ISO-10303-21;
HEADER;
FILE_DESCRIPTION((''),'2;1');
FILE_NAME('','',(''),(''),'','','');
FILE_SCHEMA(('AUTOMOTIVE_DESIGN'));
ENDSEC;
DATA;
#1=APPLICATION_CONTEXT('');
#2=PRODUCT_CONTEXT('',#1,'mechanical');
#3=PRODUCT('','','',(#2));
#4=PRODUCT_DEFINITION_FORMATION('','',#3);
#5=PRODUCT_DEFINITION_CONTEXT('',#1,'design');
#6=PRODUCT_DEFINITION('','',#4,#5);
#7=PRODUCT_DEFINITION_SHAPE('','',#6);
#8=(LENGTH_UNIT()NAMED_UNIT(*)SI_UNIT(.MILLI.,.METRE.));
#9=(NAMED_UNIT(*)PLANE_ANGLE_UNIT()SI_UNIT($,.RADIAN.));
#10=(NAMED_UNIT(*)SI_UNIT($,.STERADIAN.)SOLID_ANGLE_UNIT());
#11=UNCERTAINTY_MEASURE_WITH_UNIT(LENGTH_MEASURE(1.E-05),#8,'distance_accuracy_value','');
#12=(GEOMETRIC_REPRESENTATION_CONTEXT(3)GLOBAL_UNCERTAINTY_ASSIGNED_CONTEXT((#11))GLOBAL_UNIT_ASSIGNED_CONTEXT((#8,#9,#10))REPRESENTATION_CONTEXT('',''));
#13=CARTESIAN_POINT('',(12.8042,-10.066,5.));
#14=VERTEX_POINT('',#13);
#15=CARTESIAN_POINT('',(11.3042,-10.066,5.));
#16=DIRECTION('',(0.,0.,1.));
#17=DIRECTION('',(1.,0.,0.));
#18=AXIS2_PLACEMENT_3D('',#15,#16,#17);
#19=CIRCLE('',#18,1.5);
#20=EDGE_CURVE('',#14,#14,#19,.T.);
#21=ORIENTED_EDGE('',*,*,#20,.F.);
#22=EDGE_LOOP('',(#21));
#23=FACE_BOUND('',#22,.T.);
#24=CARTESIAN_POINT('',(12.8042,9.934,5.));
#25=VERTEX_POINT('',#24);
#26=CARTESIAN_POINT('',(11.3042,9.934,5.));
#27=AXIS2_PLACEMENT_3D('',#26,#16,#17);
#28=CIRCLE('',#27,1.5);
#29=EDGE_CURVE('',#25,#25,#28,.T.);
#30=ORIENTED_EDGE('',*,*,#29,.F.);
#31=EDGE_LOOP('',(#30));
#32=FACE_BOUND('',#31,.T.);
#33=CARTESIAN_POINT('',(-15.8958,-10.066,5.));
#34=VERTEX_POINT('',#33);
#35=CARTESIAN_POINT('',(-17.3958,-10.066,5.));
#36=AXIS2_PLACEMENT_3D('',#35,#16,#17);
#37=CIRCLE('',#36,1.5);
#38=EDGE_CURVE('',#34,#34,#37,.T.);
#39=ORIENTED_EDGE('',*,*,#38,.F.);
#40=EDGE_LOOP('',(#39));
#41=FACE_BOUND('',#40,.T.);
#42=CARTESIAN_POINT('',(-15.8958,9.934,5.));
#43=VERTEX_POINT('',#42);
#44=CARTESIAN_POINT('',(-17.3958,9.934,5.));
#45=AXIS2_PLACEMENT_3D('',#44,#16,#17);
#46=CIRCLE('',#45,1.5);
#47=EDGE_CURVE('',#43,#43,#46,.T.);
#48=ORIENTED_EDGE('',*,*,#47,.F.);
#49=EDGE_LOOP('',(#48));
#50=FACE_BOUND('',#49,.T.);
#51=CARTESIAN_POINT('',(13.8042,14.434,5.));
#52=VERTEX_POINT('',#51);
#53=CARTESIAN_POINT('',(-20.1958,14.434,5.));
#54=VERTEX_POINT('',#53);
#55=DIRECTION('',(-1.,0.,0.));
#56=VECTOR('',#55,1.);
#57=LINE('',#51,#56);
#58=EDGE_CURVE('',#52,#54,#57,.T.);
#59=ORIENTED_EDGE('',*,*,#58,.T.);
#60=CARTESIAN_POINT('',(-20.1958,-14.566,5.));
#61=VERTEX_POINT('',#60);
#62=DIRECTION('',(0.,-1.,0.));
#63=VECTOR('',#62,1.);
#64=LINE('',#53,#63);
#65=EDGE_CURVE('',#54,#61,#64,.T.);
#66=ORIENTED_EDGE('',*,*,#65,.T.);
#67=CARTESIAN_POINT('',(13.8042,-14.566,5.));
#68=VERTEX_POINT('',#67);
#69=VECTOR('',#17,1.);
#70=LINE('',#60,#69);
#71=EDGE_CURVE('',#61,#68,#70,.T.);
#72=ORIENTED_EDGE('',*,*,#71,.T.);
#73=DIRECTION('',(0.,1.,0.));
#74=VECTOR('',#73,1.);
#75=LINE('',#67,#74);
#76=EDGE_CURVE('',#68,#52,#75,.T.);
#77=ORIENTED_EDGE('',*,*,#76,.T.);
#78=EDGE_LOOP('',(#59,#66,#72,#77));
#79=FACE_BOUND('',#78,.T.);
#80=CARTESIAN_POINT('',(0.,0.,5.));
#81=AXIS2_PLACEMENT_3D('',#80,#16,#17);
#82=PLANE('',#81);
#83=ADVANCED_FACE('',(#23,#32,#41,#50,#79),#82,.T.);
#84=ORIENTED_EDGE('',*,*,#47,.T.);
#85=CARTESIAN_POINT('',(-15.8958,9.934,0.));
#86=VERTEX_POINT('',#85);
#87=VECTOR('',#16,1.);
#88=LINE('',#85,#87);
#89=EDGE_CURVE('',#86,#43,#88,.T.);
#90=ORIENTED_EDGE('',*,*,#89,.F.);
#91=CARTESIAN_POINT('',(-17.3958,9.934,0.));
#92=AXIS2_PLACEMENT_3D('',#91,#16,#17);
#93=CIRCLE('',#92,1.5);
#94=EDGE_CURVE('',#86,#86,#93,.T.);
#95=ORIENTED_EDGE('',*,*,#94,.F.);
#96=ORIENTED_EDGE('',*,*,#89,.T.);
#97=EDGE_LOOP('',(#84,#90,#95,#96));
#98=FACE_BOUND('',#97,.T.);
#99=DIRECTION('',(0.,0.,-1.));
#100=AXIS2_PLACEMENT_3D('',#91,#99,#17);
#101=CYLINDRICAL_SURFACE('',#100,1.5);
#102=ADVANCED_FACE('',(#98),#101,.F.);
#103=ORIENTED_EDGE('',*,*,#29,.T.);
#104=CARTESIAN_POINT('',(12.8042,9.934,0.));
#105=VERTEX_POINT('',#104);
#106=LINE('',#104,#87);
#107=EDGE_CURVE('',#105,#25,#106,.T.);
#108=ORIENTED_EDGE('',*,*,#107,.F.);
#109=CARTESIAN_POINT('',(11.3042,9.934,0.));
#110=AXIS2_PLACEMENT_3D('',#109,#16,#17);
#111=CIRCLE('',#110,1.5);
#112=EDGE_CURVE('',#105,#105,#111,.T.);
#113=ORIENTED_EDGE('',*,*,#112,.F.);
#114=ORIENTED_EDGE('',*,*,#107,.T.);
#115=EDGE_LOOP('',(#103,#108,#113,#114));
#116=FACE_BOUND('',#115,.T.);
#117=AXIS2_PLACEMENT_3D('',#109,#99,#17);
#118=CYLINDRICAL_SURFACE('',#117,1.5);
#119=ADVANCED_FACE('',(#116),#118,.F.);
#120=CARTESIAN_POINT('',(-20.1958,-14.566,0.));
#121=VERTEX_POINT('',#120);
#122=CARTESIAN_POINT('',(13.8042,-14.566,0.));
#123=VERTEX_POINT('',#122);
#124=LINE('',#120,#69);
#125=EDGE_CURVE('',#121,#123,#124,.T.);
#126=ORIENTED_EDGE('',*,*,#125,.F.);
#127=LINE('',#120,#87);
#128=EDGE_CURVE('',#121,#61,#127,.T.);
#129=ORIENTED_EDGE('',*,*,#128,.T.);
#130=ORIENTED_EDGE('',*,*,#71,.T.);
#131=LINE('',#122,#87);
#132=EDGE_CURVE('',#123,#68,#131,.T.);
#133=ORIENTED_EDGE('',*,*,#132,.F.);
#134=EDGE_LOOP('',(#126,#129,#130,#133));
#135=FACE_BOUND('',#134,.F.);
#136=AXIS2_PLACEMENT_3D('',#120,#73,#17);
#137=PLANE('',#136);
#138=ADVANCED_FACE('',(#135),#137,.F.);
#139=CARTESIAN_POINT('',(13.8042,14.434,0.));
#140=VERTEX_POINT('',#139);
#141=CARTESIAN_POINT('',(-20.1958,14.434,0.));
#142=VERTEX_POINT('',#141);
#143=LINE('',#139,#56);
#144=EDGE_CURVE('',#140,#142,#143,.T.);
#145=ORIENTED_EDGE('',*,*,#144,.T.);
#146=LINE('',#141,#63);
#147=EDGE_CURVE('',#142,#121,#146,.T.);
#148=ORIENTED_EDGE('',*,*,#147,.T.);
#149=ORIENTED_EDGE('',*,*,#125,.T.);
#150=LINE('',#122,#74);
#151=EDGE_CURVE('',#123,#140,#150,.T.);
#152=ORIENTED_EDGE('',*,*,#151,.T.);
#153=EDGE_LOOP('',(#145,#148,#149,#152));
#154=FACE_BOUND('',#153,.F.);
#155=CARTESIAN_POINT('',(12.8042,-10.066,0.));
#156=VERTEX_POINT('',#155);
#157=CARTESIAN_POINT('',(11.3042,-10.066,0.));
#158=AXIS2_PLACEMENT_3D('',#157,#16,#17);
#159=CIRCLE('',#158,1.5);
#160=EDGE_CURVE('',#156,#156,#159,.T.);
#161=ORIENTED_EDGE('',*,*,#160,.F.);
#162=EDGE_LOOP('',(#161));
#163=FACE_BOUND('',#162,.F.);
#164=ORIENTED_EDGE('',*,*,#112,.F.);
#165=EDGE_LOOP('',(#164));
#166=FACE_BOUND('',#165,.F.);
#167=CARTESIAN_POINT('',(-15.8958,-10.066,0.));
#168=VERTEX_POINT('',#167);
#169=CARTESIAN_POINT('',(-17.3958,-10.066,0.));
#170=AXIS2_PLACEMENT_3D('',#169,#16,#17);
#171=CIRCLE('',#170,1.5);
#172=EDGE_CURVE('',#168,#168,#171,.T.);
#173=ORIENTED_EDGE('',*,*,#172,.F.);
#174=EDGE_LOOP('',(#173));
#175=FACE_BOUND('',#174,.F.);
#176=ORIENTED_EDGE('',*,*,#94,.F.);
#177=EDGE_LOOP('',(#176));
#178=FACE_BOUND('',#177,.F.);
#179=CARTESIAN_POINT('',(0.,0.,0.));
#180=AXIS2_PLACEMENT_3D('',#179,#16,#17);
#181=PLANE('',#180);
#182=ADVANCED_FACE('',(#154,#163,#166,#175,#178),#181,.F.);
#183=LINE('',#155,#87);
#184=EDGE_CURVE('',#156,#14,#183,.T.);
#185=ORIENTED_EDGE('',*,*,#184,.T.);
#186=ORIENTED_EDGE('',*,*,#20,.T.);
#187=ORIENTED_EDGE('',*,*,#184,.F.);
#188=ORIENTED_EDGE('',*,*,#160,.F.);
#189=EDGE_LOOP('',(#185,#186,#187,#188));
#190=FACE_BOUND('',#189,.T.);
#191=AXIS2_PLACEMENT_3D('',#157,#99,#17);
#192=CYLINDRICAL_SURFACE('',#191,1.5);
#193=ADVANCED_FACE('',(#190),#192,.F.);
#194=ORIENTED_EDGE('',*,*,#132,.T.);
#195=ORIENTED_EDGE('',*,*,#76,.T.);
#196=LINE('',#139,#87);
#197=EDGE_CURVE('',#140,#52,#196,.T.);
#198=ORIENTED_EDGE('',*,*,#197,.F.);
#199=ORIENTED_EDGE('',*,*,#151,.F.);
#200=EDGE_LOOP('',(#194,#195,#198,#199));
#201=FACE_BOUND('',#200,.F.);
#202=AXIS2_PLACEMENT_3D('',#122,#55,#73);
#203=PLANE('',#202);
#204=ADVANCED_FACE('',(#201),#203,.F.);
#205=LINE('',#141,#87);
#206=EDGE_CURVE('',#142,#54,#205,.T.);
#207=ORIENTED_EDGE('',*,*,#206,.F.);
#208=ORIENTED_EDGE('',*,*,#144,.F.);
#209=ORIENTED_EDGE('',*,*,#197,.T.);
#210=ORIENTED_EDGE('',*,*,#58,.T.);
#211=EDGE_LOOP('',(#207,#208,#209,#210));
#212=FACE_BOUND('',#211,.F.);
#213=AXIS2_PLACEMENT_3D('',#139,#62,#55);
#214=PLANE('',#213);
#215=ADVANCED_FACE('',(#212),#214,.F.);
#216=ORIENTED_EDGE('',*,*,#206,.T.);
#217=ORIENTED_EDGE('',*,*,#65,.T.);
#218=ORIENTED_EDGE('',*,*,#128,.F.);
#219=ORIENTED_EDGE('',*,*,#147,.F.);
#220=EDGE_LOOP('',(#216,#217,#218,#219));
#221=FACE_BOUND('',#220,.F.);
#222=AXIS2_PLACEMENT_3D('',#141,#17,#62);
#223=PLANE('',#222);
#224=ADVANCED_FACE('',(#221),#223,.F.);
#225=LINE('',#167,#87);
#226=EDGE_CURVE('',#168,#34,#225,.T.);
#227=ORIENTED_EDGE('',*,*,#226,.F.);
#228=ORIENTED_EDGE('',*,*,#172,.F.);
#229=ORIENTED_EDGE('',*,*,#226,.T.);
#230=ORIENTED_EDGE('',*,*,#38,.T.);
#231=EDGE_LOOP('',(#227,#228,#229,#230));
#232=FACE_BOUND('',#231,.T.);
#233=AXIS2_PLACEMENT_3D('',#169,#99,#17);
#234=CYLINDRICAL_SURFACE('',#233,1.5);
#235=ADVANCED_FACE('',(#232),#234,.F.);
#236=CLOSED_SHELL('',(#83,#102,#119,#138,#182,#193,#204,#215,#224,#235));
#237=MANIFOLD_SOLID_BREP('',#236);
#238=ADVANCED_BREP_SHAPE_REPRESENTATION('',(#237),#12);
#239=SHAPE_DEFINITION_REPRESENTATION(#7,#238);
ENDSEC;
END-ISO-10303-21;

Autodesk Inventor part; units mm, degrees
ref_plane "YZ Plane" through (0, 0, 0) normal (1, 0, 0) x (0, 1, 0)
ref_plane "XZ Plane" through (0, 0, 0) normal (0, 1, 0) x (-1, 0, 0)
ref_plane "XY Plane" through (0, 0, 0) normal (0, 0, 1) x (1, 0, 0)
sketch "Sketch1" plane through (0, 0, 0) normal (0, 0, 1) x (1, 0, 0)
  line L0 (-20.1958, -14.566) -> (13.8042, -14.566)
  line L1 (13.8042, -14.566) -> (13.8042, 14.434)
  line L2 (13.8042, 14.434) -> (-20.1958, 14.434)
  line L3 (-20.1958, 14.434) -> (-20.1958, -14.566)
  circle A0 centre (11.3042, 9.934) radius 1.5
  circle A1 centre (11.3042, -10.066) radius 1.5
  circle A2 centre (-17.3958, 9.934) radius 1.5
  circle A3 centre (-17.3958, -10.066) radius 1.5
  point P0 (0, 0)
  dimension "d1" = 34
  dimension "d2" = 3
  dimension "d3" = 3
  dimension "d4" = 20
  dimension "d5" = 3
  dimension "d6" = 3
  dimension "d8" = 28.7
  dimension "d9" = 2.5
  dimension "d10" = 20
  dimension "d11" = 29
  dimension "d12" = 4.5
extrude "Extrusion1" add sketch "Sketch1" along normal blind 5
thread "Thread1" size "M3x0.5" class "6H" standard "ANSI Metric M Profile" length 5
thread "Thread2" size "M3x0.5" class "6H" standard "ANSI Metric M Profile" length 5
thread "Thread3" size "M3x0.5" class "6H" standard "ANSI Metric M Profile" length 5
thread "Thread4" size "M3x0.5" class "6H" standard "ANSI Metric M Profile" length 5
sketch "Sketch3" plane through (0, 0, 5) normal (0, 0, 1) x (1, 0, 0)
  line L0 (-9.0293, 4.1042) -> (2.8565, 4.1042) construction
  line L1 (2.8565, 4.1042) -> (2.8565, -3.7102) construction
  line L2 (2.8565, -3.7102) -> (-9.0293, -3.7102) construction
  line L3 (-9.0293, -3.7102) -> (-9.0293, 4.1042) construction
  point P0 (0, 0)
  dimension "d3" = 3
properties material "ABS Plastic"
